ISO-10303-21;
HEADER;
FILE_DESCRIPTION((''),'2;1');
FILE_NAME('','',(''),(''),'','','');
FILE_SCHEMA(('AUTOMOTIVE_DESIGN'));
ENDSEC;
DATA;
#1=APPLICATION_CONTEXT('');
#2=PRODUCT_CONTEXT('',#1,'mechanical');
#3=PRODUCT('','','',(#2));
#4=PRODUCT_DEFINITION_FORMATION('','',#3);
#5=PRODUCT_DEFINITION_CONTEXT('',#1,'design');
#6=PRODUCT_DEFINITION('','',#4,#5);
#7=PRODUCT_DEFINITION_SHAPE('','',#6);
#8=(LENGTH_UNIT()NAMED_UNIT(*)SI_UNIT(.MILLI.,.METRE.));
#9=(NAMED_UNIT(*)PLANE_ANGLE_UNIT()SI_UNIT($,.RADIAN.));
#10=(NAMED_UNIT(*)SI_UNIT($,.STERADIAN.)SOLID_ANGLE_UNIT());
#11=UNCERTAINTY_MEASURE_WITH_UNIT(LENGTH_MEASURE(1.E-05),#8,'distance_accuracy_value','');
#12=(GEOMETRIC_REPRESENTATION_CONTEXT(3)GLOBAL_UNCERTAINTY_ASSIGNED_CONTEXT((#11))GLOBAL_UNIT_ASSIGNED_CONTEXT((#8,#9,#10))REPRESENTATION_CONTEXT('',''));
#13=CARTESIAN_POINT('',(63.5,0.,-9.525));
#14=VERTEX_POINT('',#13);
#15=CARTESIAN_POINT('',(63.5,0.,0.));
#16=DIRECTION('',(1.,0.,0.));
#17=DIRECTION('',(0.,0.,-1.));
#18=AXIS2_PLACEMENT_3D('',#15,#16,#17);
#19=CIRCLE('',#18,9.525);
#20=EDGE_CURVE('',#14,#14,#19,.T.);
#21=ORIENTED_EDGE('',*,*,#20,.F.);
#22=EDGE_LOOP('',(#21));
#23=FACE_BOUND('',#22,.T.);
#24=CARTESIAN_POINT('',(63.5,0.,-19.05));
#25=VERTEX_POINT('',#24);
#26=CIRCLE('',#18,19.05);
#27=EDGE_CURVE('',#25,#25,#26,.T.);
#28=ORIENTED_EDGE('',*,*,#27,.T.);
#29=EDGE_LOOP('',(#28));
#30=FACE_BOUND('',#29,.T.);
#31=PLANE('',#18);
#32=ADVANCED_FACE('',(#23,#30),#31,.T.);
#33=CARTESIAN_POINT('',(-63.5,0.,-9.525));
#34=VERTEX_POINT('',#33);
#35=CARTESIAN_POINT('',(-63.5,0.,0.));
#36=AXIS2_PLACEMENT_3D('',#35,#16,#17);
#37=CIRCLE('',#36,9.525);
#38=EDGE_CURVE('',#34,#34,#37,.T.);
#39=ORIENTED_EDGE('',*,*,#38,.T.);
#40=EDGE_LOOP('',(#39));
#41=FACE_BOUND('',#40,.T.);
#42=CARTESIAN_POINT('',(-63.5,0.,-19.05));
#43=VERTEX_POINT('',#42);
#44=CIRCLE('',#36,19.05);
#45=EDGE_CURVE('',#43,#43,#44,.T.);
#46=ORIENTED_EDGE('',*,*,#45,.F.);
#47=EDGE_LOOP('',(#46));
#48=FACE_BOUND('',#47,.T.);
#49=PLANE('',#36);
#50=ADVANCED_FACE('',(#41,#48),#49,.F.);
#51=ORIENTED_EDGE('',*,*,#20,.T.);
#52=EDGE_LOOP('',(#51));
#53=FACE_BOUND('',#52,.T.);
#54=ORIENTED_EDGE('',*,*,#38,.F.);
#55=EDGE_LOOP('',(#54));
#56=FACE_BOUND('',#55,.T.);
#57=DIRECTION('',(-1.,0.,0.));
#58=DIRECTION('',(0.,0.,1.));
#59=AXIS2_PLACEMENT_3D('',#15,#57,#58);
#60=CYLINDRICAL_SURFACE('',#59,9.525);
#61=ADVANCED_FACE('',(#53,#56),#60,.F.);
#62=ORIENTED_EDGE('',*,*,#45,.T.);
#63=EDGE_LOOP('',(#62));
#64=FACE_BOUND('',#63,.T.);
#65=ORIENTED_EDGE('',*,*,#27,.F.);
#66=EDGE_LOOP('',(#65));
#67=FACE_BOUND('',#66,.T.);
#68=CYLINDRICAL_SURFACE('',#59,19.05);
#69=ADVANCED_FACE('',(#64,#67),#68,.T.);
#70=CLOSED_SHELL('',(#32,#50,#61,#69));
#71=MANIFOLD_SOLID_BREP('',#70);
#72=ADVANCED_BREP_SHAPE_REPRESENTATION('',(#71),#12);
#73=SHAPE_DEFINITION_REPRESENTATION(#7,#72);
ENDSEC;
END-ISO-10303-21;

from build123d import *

# Parameters (mm, degrees)
SKETCH1_R           = 19.05
SKETCH1_R_2         = 9.525
BOSS_EXTRUDE1_DEPTH = 63.5


with BuildPart() as part:
    # Sketch1 → Boss-Extrude1 (new body, symmetric)
    with BuildSketch(Plane(origin=(0, 0, 0), x_dir=(0, 0, -1), z_dir=(1, 0, 0))):
        Circle(SKETCH1_R)
        Circle(SKETCH1_R_2, mode=Mode.SUBTRACT)
    extrude(amount=BOSS_EXTRUDE1_DEPTH, both=True)


solid = part.part
